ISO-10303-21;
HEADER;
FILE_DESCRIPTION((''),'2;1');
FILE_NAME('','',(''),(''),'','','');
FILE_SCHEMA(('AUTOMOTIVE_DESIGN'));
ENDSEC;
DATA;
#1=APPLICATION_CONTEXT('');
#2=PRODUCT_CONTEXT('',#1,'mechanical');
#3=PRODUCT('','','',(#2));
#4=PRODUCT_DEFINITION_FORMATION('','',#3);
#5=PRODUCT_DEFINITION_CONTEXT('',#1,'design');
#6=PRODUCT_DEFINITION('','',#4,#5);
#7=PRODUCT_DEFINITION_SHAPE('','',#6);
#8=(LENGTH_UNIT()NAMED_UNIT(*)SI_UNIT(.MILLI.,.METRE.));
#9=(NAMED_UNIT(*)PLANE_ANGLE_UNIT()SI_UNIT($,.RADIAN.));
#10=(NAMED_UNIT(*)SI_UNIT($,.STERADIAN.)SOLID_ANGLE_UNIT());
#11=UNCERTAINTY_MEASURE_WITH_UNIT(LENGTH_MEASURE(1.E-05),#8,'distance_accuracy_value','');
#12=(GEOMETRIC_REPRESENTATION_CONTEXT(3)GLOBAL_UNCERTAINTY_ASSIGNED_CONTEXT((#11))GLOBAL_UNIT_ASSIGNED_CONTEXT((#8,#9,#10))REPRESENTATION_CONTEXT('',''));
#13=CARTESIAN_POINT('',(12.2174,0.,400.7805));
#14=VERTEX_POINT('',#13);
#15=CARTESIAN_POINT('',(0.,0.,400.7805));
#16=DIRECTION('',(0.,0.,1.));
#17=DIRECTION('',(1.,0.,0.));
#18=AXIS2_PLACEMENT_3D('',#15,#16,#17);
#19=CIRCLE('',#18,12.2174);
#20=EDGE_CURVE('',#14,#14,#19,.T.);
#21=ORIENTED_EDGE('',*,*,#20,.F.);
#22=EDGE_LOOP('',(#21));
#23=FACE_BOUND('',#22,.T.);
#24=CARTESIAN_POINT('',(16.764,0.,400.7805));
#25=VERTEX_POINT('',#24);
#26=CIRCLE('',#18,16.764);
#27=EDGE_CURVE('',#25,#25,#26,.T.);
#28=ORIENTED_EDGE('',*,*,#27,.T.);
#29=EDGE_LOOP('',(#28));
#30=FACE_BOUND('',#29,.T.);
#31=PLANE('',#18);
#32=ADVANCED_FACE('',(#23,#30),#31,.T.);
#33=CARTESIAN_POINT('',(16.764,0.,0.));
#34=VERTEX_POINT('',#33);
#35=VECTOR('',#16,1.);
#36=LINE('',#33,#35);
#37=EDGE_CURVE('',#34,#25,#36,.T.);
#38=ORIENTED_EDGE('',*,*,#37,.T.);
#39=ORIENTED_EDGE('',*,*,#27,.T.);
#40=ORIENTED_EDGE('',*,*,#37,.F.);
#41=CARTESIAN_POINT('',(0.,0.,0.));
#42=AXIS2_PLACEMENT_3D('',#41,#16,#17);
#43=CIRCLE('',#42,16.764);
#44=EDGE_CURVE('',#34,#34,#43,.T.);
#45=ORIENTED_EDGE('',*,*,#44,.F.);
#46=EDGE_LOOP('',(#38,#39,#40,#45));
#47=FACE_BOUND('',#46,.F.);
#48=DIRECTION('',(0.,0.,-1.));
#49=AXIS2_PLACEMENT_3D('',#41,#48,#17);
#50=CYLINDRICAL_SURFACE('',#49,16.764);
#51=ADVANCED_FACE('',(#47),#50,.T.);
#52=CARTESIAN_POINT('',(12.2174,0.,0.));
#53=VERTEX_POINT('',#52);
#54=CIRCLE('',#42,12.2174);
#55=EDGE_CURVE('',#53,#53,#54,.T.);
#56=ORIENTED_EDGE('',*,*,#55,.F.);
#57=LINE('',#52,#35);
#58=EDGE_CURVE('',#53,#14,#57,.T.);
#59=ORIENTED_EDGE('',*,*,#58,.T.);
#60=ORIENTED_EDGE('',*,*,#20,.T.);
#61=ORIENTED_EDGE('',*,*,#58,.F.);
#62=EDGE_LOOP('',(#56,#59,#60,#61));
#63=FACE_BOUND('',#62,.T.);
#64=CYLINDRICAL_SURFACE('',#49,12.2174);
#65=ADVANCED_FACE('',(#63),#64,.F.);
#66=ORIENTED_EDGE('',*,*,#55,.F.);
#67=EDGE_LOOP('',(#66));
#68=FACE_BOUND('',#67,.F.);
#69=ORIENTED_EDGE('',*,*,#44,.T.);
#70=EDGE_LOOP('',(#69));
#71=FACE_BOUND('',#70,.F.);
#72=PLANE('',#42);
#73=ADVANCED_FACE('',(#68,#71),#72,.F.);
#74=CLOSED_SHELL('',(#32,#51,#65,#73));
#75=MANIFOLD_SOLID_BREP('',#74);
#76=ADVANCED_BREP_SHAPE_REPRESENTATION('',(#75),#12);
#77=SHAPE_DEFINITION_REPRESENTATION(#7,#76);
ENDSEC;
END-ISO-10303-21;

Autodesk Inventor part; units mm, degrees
ref_plane "YZ Plane" through (0, 0, 0) normal (1, 0, 0) x (0, 1, 0)
ref_plane "Start Plane" through (0, 0, 0) normal (0, 0, 1) x (1, 0, 0)
ref_plane "End Plane" through (0, 0, 400.7805) normal (0, 0, 1) x (1, 0, 0)
sketch "Sketch" plane through (0, 0, 0) normal (0, 0, 1) x (1, 0, 0)
  circle A0 centre (0, 0) radius 12.2174
  circle A1 centre (0, 0) radius 16.764
  dimension "d0" = 33.528
  dimension "d1" = 4.5466
extrude "Body" add sketch "Sketch" along normal up to surface (400.7805 mm away) from surface at 0
sketch "Sketch3" plane through (0, 0, 0) normal (0, 0, 1) x (1, 0, 0)
  line L0 (0, 0) -> (10, 0)
ref_plane "Work Plane3" through (0, 0, 0) normal (0, -1, 0) x (1, 0, 0)
sketch "Sketch4" plane through (0, 0, 0) normal (0, -1, 0) x (1, 0, 0)
  line L0 (-2, 0) -> (12, 0) projected
  line L1 (-2, 400.7805) -> (12, 400.7805) projected
  dimension "d7" = 400.7805
equation "\"d0\" = G_H"
equation "\"d1\" = G_T"
equation "\"d2\" = G_L"
equation "\"G_H\" = 33.528"
equation "\"G_T\" = 4.5466"
equation "\"G_L\" = d7"
equation "\"G_OFFSET_START\" = 0"
equation "\"G_OFFSET_END\" = 0"
equation "\"d5\" = G_OFFSET_END + B_L"
equation "\"B_L\" = 400.78049"
properties part number "ANSI - 1 x 0.179 - 15.779" material "Steel, Mild"
